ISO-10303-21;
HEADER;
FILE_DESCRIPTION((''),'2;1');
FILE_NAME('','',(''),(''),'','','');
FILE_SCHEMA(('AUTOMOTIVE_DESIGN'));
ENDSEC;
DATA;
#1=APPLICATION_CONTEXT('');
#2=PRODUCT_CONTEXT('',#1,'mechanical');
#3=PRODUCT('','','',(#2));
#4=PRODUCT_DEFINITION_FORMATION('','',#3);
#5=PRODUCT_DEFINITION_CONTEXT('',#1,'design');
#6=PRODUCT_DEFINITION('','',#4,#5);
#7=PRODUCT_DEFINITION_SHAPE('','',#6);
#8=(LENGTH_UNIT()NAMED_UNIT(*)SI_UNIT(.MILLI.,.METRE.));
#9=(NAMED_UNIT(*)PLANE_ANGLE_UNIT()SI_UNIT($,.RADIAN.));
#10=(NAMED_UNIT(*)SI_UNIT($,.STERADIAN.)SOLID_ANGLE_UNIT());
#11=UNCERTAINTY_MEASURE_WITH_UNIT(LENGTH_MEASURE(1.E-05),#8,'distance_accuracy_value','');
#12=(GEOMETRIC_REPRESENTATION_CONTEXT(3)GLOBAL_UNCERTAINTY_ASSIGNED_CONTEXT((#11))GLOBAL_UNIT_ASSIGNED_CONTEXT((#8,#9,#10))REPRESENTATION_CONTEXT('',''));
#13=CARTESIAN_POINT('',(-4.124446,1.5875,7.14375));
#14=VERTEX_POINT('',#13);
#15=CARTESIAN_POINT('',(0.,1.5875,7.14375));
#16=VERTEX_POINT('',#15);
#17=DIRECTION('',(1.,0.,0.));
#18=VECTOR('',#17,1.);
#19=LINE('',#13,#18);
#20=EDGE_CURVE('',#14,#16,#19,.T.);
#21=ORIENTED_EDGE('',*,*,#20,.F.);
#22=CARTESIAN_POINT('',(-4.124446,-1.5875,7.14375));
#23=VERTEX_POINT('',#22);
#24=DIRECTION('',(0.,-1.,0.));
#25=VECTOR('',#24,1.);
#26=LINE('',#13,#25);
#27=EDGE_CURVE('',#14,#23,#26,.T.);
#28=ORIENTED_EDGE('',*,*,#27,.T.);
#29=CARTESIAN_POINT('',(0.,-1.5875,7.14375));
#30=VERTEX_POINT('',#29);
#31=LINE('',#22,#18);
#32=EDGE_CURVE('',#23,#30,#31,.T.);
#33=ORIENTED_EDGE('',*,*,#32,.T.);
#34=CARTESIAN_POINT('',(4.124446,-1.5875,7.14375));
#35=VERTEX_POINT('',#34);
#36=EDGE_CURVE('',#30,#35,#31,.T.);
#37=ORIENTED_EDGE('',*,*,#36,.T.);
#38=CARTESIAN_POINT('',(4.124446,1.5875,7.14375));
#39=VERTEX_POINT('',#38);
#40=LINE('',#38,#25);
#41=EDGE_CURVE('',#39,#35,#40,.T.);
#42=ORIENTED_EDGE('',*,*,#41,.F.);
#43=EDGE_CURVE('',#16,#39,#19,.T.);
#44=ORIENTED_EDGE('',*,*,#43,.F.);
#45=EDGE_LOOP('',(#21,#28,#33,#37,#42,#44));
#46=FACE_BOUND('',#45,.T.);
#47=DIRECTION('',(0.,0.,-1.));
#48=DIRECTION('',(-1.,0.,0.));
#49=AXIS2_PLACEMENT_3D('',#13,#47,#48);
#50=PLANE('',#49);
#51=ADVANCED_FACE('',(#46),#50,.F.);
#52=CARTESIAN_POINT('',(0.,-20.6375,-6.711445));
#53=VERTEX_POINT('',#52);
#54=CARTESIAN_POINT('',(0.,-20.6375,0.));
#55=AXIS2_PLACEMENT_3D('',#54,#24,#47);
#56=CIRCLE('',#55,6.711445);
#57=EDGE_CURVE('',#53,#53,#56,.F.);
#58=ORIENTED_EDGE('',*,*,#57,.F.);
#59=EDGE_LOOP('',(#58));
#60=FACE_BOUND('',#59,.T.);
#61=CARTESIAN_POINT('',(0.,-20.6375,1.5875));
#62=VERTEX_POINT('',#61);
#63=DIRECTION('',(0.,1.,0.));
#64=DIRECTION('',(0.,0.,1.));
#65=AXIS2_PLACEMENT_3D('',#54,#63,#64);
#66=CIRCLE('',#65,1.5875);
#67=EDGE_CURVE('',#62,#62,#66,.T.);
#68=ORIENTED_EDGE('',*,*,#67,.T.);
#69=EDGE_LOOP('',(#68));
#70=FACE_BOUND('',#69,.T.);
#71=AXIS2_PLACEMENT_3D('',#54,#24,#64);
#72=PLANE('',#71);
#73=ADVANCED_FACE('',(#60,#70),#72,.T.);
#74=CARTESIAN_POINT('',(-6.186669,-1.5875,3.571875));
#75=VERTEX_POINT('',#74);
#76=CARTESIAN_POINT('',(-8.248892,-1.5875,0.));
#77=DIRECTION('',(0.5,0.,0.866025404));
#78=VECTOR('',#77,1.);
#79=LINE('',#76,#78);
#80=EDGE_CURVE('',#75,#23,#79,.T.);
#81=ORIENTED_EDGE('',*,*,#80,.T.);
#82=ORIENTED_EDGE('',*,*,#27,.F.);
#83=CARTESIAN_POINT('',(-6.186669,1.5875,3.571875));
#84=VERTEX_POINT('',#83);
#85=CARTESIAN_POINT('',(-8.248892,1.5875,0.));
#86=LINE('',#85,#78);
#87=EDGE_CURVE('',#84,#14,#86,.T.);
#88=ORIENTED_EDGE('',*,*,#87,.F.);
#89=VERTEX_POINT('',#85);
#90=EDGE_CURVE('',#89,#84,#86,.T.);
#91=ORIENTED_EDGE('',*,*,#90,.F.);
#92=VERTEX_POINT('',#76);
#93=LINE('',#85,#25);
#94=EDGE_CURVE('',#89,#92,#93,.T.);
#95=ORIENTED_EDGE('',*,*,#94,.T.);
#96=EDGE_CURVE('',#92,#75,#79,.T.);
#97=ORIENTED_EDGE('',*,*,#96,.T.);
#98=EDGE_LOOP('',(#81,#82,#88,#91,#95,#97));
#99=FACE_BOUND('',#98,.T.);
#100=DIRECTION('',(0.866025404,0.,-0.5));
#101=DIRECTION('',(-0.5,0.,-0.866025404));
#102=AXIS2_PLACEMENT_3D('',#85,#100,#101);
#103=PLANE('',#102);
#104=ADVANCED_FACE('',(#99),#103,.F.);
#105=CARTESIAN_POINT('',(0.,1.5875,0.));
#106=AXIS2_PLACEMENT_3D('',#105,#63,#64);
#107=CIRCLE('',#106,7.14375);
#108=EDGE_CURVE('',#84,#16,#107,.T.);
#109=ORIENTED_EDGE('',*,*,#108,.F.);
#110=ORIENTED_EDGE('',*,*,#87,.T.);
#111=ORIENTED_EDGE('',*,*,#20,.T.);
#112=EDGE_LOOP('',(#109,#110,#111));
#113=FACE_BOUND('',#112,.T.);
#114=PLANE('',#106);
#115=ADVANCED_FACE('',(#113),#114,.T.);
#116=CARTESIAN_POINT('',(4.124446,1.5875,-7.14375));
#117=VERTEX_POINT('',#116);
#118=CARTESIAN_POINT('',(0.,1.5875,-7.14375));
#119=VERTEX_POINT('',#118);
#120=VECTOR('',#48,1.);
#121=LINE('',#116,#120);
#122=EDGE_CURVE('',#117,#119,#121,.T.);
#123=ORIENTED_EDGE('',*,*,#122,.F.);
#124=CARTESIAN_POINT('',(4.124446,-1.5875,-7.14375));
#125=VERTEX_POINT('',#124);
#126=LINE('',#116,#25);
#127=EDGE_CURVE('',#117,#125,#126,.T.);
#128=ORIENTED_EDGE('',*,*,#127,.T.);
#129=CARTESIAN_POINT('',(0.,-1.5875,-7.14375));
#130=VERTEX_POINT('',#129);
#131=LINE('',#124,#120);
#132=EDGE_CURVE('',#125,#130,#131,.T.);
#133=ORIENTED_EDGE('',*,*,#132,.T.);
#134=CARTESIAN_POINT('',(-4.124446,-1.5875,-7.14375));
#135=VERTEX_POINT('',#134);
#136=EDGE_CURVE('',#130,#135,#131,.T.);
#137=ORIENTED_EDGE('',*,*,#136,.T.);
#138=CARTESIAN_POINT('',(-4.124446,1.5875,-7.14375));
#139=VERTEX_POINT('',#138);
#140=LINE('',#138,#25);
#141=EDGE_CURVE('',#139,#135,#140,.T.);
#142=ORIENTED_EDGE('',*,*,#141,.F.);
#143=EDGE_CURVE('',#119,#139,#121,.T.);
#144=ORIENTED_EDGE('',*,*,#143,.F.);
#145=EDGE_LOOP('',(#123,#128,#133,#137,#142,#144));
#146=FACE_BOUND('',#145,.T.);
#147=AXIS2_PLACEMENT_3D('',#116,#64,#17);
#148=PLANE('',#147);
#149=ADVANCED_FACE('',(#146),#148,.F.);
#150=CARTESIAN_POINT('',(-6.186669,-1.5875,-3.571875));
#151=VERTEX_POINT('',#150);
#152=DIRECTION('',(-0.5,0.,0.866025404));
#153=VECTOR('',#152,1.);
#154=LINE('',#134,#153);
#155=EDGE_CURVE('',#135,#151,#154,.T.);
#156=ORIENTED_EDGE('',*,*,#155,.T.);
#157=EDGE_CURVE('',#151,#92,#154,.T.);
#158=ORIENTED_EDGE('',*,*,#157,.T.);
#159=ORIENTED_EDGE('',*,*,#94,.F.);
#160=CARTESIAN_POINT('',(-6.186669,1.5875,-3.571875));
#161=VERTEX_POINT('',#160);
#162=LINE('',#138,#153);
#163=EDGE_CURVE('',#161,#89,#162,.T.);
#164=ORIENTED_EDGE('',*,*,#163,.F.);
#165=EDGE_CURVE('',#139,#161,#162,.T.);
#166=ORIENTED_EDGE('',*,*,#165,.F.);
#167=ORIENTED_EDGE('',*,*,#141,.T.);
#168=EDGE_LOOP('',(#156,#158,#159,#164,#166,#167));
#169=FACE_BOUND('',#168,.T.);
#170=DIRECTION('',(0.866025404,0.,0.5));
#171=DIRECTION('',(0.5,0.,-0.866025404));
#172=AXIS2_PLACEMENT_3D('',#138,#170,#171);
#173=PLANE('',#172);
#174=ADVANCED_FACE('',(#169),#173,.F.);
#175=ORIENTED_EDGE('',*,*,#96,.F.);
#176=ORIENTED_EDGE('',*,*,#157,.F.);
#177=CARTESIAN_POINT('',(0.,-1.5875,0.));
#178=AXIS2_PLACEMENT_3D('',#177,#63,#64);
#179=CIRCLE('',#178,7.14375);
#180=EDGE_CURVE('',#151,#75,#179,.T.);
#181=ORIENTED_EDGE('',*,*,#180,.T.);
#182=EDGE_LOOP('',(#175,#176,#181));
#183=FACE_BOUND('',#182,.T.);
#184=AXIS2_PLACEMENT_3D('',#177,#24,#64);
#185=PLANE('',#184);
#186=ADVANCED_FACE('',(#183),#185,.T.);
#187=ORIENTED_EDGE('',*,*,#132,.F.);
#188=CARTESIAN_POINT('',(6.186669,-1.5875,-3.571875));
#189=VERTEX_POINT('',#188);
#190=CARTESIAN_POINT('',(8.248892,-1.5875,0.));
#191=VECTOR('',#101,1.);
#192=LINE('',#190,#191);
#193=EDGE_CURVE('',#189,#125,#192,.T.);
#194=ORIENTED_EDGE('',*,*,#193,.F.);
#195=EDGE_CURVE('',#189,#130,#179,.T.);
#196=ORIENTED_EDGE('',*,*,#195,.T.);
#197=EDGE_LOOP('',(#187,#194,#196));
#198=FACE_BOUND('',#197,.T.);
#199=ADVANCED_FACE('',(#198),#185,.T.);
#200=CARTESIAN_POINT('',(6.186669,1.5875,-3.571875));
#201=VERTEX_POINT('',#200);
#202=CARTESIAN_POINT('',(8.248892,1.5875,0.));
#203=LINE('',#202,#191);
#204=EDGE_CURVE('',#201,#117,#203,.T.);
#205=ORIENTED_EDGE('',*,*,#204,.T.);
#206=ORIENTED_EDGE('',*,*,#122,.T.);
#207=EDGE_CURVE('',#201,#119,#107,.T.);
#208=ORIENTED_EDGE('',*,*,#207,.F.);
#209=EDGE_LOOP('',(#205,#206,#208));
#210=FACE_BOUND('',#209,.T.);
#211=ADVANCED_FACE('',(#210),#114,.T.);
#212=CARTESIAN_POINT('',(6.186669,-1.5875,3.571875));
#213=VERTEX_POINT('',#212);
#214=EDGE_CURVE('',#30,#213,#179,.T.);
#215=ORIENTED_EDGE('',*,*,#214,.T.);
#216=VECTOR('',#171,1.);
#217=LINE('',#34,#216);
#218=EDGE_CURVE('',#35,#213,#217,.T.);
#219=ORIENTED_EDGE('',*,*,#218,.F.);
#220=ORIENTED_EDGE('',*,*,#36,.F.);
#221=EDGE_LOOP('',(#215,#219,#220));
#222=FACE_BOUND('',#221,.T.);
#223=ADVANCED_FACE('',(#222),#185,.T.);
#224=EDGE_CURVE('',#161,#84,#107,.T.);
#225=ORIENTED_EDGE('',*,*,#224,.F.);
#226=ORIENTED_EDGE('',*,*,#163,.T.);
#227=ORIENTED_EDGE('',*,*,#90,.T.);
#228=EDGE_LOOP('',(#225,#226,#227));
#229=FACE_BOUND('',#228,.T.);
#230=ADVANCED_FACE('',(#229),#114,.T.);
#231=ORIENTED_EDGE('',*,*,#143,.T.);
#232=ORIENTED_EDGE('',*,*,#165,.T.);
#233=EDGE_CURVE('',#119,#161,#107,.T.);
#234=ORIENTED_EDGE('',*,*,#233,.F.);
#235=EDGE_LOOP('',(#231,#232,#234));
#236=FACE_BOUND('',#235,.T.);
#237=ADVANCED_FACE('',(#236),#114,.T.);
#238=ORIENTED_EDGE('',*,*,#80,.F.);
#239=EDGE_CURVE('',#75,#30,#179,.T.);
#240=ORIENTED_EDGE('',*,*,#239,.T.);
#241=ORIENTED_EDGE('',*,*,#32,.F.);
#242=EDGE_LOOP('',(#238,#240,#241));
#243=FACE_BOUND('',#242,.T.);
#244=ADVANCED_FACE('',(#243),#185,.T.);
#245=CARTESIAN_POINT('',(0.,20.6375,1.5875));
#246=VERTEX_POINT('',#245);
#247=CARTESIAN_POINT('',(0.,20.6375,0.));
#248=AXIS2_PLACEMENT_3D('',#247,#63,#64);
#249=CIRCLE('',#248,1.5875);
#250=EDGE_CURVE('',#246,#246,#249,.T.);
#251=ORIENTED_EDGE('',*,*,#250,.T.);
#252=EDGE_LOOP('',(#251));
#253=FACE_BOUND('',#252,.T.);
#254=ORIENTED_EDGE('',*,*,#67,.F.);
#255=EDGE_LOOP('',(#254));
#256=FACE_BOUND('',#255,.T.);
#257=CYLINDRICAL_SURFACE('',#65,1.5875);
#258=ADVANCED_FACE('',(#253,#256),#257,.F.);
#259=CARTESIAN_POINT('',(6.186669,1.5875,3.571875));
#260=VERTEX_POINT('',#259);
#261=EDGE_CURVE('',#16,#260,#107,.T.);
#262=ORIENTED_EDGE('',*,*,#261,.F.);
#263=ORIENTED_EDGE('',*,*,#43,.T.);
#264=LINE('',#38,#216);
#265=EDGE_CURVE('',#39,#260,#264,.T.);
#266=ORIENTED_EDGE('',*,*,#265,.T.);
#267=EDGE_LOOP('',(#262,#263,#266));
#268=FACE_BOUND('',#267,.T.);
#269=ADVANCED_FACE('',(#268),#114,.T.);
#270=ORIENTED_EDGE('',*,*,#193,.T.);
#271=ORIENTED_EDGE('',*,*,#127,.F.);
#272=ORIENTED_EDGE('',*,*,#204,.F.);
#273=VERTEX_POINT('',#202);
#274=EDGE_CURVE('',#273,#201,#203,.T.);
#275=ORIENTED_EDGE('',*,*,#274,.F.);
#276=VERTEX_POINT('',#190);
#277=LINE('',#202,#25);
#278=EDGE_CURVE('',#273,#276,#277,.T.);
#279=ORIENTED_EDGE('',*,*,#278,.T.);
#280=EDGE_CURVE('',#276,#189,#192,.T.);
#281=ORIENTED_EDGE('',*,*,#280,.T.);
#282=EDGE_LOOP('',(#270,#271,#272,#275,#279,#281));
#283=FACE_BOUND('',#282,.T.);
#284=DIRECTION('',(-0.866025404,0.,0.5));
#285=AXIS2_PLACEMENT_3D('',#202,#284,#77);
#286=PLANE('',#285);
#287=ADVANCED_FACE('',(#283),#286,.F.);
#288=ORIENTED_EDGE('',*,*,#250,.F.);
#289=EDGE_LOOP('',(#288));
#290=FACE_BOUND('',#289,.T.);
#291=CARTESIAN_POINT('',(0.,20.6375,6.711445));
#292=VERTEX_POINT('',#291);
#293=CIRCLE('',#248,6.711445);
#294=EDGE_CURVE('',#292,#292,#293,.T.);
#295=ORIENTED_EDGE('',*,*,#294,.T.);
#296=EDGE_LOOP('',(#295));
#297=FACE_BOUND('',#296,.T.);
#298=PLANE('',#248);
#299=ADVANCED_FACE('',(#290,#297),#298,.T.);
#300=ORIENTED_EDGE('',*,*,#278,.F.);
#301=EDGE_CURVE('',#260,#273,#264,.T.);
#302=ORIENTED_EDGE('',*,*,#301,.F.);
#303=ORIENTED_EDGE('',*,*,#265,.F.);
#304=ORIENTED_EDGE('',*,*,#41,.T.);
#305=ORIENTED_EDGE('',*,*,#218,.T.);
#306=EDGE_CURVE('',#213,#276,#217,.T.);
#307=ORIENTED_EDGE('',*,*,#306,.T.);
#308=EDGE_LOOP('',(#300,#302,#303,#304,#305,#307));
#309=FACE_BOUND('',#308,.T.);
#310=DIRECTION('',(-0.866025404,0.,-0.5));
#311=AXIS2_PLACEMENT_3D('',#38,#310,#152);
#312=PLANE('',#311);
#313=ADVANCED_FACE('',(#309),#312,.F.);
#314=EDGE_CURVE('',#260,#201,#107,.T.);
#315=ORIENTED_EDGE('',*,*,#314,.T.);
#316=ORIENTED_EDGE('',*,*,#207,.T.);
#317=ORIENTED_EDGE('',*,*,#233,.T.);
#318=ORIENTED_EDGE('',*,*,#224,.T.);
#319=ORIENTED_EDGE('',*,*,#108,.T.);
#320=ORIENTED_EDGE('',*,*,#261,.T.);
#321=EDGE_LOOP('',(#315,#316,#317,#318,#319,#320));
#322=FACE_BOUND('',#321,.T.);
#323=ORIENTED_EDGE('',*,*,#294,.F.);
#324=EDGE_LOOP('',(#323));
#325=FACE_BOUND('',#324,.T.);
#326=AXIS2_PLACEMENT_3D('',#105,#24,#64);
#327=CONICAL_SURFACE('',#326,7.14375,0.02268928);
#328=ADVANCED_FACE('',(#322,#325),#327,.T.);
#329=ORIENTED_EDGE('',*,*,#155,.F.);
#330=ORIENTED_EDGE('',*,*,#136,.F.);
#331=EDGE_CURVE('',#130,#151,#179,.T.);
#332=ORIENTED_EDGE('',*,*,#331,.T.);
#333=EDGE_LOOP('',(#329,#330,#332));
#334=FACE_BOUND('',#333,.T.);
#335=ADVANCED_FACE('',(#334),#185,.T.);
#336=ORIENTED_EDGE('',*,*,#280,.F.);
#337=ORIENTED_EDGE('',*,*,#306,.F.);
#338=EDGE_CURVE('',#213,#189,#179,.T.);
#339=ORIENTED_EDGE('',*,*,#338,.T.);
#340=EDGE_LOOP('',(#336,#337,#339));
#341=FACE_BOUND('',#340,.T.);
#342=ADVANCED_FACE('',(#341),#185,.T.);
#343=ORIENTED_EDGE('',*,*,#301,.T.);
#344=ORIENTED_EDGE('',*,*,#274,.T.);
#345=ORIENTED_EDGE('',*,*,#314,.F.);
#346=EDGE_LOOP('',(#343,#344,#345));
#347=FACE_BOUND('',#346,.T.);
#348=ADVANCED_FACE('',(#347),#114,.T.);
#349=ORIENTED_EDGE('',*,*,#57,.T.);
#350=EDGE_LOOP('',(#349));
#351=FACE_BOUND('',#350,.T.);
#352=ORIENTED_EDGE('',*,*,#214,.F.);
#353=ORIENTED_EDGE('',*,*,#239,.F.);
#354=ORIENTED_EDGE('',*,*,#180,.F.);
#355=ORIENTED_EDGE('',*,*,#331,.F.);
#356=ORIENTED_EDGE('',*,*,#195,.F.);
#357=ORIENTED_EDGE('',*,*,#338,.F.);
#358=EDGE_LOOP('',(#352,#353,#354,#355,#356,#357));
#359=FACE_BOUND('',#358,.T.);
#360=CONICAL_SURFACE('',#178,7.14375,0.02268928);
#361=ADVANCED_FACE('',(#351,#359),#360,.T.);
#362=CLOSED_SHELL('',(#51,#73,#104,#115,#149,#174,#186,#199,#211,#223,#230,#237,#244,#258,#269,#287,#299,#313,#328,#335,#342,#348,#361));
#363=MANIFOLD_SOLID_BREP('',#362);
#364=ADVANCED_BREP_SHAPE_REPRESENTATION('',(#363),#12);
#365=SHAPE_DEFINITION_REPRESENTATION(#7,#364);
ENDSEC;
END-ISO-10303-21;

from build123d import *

# Parameters (mm, degrees)
BOSS_EXTRUDE3_DEPTH = 1.5875
SKETCH4_R           = 7.14375
BOSS_EXTRUDE4_DEPTH = 19.05
BOSS_EXTRUDE4_TAPER = 1.3
SKETCH5_R           = 1.5875
CUT_EXTRUDE1_DEPTH  = 43.693126115


with BuildPart() as part:
    # Sketch3 → Boss-Extrude3 (new body)
    with BuildSketch(Plane(origin=(0, 0, 0), x_dir=(1, 0, 0), z_dir=(0, 1, 0))):
        Polygon((8.248891971, 0), (4.124445986, 7.14375), (-4.124445986, 7.14375), (-8.248891971, 0), (-4.124445986, -7.14375), (4.124445986, -7.14375), align=None)
    boss_extrude3 = extrude(amount=BOSS_EXTRUDE3_DEPTH)

    # Sketch4 → Boss-Extrude4 (add)
    with BuildSketch(Plane(origin=(0, 1.5875, 0), x_dir=(1, 0, 0), z_dir=(0, 1, 0))):
        Circle(SKETCH4_R)
    boss_extrude4 = extrude(amount=BOSS_EXTRUDE4_DEPTH, taper=BOSS_EXTRUDE4_TAPER)

    # Mirror1: Boss-Extrude3, Boss-Extrude4 across plane
    add(boss_extrude3.mirror(Plane.ZX))
    add(boss_extrude4.mirror(Plane.ZX))

    # Sketch5 → Cut-Extrude1 (cut, through all)
    with BuildSketch(Plane(origin=(0, 20.6375, 0), x_dir=(1, 0, 0), z_dir=(0, 1, 0))):
        with Locations(Location((0, 0, 0), (0, 0, 270))):
            Circle(SKETCH5_R)
    extrude(amount=-CUT_EXTRUDE1_DEPTH, mode=Mode.SUBTRACT)


solid = part.part
